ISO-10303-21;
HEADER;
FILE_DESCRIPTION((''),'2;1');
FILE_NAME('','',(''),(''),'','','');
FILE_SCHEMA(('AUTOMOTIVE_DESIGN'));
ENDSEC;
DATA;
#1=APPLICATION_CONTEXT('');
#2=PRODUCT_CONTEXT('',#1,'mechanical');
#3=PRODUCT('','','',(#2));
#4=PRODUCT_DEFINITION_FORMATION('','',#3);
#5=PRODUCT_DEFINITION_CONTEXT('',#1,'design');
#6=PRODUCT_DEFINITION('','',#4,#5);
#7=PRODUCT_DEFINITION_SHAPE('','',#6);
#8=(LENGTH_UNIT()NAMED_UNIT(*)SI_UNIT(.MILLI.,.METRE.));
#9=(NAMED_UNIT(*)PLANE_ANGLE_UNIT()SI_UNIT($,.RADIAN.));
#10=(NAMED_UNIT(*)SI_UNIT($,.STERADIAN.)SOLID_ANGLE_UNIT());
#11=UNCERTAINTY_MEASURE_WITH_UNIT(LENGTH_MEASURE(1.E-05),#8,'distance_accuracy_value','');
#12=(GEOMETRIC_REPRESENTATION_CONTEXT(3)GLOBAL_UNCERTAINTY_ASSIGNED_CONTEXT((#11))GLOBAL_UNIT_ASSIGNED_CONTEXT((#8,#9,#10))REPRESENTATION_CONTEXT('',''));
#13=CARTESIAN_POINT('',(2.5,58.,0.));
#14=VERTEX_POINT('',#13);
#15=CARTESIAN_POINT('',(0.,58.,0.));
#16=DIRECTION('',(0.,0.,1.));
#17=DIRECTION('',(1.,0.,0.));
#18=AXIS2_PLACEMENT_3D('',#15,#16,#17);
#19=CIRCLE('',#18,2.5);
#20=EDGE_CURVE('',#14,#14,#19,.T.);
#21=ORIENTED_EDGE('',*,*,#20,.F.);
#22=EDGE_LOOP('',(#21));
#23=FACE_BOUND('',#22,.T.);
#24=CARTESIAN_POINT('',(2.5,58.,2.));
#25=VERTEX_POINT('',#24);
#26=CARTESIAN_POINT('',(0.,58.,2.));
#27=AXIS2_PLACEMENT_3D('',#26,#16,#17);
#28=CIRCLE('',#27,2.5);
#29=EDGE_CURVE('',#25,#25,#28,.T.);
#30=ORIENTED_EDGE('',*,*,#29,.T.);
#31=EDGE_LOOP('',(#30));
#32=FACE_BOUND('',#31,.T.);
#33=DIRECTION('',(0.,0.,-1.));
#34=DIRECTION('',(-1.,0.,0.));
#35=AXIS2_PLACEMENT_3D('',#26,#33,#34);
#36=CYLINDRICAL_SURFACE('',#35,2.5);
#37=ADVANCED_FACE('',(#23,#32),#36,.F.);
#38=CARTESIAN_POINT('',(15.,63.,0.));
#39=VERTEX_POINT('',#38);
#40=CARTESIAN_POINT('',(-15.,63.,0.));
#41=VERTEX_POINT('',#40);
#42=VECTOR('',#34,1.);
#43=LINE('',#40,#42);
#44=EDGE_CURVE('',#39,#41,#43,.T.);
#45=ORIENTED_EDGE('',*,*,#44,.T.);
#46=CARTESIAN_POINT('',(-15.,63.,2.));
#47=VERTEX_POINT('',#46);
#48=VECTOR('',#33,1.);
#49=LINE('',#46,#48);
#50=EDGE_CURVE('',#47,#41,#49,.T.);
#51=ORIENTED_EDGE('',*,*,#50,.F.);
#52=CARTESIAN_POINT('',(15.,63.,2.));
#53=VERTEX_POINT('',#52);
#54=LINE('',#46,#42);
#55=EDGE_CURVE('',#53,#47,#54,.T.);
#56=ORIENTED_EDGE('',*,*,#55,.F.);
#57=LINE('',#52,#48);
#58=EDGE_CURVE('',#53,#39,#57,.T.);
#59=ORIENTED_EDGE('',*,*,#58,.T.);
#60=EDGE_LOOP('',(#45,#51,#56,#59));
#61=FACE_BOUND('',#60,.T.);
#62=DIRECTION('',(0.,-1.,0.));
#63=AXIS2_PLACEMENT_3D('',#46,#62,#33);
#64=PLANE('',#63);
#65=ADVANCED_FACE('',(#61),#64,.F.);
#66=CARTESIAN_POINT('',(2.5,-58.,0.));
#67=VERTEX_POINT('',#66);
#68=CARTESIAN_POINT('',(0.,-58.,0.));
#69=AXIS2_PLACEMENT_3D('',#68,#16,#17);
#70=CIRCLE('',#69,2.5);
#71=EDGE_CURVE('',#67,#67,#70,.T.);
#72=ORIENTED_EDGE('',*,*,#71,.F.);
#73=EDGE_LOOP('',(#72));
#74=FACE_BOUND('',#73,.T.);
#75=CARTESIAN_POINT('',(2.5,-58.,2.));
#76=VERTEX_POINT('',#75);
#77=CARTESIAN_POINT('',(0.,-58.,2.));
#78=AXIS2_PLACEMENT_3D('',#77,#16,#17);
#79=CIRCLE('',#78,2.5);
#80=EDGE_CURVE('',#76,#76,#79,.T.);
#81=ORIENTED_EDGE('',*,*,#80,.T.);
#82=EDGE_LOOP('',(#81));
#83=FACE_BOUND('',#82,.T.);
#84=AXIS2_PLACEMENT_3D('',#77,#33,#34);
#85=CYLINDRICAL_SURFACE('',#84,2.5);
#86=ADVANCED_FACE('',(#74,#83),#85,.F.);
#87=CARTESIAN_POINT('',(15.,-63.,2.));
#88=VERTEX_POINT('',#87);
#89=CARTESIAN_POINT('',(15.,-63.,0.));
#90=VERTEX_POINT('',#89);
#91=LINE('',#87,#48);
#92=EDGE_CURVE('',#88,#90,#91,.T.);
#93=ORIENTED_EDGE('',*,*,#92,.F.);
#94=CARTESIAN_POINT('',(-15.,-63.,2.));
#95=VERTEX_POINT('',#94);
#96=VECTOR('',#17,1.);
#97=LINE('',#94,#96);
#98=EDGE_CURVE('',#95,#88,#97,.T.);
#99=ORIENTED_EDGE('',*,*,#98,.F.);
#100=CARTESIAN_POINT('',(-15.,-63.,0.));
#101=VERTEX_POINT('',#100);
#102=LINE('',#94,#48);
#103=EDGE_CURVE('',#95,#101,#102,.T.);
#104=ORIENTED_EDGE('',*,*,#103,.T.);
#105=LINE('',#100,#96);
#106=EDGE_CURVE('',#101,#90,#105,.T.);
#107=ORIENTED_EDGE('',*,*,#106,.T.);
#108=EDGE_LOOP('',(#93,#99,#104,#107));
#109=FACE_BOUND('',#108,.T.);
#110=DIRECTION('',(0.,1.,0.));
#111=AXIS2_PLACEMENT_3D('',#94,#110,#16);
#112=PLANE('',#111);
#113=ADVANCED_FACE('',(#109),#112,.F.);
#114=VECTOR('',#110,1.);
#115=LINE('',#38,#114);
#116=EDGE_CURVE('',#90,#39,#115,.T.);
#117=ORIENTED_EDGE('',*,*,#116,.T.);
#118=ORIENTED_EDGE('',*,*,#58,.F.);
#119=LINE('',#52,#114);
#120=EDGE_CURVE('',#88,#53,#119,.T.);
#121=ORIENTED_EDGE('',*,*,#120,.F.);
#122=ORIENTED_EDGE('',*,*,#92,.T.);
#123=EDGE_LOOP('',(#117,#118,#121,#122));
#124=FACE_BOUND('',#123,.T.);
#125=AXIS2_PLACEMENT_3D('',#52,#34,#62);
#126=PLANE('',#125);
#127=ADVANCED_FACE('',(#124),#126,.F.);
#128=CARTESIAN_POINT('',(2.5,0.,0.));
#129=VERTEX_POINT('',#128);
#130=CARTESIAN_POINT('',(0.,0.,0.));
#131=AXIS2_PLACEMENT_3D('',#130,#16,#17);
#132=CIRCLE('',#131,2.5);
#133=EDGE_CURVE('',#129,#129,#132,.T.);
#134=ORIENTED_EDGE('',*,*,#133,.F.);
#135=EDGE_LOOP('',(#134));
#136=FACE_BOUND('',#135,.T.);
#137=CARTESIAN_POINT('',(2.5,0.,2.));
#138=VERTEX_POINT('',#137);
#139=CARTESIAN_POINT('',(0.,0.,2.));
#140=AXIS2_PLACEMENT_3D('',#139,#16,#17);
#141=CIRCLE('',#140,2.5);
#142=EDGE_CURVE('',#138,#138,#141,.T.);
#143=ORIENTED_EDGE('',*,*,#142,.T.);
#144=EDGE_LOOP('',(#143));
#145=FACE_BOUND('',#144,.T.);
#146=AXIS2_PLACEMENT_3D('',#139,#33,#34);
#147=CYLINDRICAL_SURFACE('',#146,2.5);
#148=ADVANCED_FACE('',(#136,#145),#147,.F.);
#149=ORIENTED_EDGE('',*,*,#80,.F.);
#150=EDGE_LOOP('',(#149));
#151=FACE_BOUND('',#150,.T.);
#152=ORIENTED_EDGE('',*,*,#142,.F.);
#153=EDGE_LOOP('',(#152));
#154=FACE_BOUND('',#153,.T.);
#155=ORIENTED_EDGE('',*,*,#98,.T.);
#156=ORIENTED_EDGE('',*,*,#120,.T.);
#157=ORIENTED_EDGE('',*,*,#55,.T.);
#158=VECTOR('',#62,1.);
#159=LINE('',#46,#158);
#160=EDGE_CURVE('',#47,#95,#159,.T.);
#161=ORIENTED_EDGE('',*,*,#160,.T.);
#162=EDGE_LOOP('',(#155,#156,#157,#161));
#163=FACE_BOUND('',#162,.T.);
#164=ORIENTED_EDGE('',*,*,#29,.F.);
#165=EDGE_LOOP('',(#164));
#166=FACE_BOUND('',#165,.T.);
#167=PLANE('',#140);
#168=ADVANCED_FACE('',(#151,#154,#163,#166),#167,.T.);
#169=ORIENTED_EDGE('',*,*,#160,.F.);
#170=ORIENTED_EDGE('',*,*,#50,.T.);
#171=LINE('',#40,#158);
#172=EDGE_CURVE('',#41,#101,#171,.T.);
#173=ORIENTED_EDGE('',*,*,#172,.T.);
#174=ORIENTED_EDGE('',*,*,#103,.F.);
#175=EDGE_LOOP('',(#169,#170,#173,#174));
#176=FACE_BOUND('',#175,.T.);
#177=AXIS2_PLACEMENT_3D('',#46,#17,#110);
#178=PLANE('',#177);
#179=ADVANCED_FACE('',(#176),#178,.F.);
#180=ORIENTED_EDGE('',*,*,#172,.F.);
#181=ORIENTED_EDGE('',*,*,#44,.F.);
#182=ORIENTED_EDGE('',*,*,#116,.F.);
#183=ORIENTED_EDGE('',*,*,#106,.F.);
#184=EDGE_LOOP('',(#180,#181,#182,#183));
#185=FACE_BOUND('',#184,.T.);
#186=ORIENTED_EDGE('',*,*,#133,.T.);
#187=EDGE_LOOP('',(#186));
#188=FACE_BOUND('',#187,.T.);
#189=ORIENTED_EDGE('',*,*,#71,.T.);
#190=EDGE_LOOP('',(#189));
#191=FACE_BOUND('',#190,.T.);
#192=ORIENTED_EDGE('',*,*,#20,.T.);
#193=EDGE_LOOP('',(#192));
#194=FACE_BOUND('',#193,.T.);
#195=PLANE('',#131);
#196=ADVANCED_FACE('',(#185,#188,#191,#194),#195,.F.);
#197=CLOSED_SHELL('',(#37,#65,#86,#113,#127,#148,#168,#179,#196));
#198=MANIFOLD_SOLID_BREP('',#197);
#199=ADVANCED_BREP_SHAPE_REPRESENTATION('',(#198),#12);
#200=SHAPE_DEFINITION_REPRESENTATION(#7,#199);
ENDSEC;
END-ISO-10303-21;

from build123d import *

# Parameters (mm, degrees)
SKETCH1_W           = 30
SKETCH1_H           = 126
SKETCH1_R           = 2.5
BOSS_EXTRUDE1_DEPTH = 2


with BuildPart() as part:
    # Sketch1 → Boss-Extrude1 (new body)
    with BuildSketch(Plane.XY):
        Rectangle(SKETCH1_W, SKETCH1_H)
        with Locations((0, 58)):
            Circle(SKETCH1_R, mode=Mode.SUBTRACT)
        with Locations((0, -58)):
            Circle(SKETCH1_R, mode=Mode.SUBTRACT)
        Circle(SKETCH1_R, mode=Mode.SUBTRACT)
    extrude(amount=BOSS_EXTRUDE1_DEPTH)


solid = part.part
